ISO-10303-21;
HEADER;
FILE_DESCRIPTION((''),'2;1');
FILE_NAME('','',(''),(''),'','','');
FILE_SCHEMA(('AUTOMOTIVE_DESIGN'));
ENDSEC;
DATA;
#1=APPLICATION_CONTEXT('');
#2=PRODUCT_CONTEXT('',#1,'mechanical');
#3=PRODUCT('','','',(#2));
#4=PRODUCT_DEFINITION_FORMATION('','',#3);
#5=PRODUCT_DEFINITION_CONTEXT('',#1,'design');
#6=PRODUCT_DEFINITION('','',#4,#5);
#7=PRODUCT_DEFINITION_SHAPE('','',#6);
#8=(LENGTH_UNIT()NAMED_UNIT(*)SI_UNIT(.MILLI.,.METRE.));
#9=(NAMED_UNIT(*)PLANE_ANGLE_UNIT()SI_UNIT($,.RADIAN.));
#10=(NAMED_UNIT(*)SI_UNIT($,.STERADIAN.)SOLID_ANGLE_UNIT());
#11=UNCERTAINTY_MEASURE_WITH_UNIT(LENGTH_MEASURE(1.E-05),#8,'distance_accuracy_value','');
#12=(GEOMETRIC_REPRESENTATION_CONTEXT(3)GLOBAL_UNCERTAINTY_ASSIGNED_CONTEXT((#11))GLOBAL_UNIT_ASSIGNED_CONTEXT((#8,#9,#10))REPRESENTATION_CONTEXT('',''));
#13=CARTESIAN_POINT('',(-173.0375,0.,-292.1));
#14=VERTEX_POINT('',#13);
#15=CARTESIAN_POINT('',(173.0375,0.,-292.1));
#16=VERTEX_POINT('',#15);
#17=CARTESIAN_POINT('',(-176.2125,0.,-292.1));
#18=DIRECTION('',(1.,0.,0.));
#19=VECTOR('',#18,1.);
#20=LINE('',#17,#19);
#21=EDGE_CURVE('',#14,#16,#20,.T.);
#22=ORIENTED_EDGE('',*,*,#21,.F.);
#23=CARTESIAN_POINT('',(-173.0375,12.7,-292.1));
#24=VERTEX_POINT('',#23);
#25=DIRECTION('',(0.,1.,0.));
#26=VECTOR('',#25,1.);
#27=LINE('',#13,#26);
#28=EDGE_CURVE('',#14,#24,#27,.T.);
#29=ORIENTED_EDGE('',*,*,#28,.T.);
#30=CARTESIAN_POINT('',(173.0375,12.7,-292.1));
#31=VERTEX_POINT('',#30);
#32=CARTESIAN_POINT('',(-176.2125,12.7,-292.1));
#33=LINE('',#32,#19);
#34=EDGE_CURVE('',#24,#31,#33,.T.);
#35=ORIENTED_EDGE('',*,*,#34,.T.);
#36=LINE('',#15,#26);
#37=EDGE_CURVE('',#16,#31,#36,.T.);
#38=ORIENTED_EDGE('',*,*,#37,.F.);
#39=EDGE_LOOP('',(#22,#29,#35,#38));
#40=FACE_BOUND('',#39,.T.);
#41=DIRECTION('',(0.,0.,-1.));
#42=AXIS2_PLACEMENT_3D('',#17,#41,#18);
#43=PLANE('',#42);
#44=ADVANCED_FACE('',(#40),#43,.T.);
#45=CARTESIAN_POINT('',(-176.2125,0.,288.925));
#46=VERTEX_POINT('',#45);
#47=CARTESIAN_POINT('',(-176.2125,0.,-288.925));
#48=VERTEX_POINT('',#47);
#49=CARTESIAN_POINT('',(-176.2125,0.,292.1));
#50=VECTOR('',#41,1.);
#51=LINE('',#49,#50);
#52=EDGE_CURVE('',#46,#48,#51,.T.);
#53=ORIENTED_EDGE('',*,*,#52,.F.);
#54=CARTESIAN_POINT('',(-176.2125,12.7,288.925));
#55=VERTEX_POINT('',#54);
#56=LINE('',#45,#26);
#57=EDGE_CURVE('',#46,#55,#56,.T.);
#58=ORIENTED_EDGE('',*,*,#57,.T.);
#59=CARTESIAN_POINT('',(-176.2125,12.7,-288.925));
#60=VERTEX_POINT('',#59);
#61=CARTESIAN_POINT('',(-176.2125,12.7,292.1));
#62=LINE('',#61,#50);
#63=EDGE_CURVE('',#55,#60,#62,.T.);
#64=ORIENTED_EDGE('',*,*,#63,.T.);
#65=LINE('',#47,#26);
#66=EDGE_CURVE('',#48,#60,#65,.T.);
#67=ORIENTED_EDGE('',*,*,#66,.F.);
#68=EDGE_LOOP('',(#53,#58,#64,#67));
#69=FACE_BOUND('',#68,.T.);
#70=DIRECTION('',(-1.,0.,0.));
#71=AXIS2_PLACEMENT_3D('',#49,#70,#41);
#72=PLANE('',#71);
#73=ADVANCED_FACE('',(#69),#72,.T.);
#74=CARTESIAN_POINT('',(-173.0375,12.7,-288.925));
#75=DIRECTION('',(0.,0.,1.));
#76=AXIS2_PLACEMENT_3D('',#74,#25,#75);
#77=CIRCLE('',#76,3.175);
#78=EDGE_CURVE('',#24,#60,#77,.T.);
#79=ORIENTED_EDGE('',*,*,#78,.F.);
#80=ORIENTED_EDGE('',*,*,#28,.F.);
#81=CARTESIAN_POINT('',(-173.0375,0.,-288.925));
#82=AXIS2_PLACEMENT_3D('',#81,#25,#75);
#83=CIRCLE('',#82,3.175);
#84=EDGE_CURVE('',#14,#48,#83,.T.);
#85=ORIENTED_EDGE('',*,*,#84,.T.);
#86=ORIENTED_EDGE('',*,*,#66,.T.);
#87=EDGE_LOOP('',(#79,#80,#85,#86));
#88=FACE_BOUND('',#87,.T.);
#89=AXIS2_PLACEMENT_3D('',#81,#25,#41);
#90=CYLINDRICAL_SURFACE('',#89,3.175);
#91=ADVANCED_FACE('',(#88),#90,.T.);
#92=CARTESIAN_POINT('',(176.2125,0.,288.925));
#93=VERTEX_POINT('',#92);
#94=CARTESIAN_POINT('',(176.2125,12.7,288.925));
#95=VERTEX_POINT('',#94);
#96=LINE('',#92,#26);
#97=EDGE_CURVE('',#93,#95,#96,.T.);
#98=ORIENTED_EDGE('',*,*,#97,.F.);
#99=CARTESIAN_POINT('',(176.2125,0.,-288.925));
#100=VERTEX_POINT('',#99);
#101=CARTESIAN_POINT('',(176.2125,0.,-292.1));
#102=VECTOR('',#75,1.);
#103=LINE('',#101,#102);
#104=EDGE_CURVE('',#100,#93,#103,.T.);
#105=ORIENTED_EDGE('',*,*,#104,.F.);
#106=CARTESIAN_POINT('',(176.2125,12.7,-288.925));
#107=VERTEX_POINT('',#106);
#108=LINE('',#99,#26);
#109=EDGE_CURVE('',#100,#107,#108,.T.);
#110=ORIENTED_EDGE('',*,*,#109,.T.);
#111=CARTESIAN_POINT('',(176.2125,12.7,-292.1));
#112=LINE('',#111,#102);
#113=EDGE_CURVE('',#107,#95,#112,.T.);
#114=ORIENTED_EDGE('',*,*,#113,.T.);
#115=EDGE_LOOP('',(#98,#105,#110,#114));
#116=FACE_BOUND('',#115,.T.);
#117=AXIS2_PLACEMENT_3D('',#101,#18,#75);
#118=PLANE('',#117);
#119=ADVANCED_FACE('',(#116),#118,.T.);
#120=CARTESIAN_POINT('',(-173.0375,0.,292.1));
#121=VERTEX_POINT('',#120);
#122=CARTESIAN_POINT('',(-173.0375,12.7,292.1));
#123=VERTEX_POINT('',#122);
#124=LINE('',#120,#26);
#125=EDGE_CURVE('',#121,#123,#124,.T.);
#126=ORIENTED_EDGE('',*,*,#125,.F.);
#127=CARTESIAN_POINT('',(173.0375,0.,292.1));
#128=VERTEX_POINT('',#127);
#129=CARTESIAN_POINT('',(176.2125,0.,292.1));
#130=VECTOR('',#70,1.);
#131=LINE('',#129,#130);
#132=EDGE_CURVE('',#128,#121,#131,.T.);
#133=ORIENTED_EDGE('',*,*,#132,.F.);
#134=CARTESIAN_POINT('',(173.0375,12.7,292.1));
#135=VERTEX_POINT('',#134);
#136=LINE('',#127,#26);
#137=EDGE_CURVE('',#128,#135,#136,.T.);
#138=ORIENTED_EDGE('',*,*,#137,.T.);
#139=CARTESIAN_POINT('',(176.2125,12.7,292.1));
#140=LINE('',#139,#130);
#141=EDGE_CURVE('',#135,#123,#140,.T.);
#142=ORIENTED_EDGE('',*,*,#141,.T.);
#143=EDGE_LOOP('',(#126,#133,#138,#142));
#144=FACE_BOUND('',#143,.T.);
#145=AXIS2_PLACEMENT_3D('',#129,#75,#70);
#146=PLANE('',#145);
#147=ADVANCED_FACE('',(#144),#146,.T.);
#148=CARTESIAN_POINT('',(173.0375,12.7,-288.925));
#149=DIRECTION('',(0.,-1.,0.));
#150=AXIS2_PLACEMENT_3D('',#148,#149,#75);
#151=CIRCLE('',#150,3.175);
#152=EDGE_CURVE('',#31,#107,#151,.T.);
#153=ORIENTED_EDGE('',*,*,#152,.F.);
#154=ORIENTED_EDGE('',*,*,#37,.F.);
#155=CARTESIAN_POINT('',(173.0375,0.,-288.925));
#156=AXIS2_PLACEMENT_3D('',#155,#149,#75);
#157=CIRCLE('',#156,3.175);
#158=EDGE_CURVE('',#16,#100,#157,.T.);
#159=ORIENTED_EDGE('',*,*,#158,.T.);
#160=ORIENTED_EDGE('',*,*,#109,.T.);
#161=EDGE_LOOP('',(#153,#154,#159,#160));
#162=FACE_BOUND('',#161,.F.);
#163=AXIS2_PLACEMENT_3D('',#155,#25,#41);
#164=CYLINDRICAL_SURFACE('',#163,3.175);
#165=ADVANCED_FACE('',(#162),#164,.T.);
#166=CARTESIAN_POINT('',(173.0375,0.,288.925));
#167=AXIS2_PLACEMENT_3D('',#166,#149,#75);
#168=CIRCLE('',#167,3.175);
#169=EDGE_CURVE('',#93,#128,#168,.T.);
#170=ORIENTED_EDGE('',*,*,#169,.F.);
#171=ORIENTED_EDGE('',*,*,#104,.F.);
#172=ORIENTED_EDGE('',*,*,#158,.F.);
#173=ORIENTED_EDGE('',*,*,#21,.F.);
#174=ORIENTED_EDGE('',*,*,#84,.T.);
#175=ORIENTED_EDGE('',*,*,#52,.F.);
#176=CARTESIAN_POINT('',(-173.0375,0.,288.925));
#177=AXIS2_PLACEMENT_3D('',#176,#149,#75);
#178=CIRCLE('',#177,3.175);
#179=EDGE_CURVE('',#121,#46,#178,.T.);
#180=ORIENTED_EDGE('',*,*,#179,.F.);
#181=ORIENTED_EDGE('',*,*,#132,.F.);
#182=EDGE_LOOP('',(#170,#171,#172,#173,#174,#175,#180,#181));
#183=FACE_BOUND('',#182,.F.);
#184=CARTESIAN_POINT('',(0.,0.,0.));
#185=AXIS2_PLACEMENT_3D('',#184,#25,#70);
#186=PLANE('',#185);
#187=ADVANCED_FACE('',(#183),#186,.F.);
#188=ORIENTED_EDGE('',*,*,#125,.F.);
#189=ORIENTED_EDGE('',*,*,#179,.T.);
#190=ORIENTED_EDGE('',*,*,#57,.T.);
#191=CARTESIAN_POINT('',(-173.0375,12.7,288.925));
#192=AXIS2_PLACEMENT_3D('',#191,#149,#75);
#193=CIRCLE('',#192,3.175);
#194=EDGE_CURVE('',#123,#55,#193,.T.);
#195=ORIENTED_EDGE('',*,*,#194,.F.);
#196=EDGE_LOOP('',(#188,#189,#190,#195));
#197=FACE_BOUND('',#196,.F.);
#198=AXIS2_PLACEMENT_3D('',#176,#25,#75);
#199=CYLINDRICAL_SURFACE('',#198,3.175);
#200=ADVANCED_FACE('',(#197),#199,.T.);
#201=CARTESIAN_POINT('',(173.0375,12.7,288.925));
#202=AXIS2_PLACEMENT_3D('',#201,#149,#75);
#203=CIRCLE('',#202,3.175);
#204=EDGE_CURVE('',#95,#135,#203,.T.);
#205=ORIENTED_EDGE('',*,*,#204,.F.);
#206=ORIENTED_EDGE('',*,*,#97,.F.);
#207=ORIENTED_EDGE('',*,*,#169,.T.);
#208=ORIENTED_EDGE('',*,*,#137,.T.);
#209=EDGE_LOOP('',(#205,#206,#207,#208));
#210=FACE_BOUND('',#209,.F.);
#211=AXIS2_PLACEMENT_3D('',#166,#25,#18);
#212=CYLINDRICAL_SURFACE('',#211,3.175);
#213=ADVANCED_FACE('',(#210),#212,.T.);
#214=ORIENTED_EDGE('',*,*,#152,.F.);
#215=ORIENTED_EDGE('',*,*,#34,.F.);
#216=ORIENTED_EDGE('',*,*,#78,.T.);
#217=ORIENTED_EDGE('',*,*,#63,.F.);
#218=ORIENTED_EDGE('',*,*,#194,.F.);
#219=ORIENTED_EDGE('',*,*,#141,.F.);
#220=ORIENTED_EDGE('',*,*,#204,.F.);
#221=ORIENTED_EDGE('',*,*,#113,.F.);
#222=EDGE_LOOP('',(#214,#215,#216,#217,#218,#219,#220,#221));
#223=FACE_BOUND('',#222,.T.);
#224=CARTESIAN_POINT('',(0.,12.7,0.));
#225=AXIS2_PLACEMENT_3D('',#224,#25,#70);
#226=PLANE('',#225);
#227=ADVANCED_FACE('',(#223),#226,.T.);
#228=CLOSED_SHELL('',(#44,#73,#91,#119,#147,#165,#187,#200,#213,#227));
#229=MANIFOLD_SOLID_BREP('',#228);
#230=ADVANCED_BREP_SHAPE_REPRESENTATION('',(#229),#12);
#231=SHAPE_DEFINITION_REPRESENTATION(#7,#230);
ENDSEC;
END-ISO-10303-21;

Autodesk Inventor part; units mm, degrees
ref_plane "YZ Plane" through (0, 0, 0) normal (1, 0, 0) x (0, 1, 0)
ref_plane "XZ Plane" through (0, 0, 0) normal (0, 1, 0) x (-1, 0, 0)
ref_plane "XY Plane" through (0, 0, 0) normal (0, 0, 1) x (1, 0, 0)
sketch "Sketch1" plane through (0, 0, 0) normal (0, 1, 0) x (-1, 0, 0)
  line L0 (176.2125, -292.1) -> (-176.2125, -292.1)
  line L1 (-176.2125, -292.1) -> (-176.2125, 292.1)
  line L2 (-176.2125, 292.1) -> (176.2125, 292.1)
  line L3 (176.2125, 292.1) -> (176.2125, -292.1)
  point P0 (0, 0)
  dimension "d0" = 584.2
  dimension "d1" = 352.425
  dimension "d2" = 176.2125
  dimension "d3" = 292.1
extrude "Extrusion1" add sketch "Sketch1" along normal blind 12.7
fillet "Fillet1" radius 3.175 4 edges at (-176.2125, 6.35, 292.1) (176.2125, 6.35, 292.1) (176.2125, 6.35, -292.1) (-176.2125, 6.35, -292.1)
equation "\"d2\" = 0.5 * d1"
equation "\"d3\" = 0.5 * d0"
